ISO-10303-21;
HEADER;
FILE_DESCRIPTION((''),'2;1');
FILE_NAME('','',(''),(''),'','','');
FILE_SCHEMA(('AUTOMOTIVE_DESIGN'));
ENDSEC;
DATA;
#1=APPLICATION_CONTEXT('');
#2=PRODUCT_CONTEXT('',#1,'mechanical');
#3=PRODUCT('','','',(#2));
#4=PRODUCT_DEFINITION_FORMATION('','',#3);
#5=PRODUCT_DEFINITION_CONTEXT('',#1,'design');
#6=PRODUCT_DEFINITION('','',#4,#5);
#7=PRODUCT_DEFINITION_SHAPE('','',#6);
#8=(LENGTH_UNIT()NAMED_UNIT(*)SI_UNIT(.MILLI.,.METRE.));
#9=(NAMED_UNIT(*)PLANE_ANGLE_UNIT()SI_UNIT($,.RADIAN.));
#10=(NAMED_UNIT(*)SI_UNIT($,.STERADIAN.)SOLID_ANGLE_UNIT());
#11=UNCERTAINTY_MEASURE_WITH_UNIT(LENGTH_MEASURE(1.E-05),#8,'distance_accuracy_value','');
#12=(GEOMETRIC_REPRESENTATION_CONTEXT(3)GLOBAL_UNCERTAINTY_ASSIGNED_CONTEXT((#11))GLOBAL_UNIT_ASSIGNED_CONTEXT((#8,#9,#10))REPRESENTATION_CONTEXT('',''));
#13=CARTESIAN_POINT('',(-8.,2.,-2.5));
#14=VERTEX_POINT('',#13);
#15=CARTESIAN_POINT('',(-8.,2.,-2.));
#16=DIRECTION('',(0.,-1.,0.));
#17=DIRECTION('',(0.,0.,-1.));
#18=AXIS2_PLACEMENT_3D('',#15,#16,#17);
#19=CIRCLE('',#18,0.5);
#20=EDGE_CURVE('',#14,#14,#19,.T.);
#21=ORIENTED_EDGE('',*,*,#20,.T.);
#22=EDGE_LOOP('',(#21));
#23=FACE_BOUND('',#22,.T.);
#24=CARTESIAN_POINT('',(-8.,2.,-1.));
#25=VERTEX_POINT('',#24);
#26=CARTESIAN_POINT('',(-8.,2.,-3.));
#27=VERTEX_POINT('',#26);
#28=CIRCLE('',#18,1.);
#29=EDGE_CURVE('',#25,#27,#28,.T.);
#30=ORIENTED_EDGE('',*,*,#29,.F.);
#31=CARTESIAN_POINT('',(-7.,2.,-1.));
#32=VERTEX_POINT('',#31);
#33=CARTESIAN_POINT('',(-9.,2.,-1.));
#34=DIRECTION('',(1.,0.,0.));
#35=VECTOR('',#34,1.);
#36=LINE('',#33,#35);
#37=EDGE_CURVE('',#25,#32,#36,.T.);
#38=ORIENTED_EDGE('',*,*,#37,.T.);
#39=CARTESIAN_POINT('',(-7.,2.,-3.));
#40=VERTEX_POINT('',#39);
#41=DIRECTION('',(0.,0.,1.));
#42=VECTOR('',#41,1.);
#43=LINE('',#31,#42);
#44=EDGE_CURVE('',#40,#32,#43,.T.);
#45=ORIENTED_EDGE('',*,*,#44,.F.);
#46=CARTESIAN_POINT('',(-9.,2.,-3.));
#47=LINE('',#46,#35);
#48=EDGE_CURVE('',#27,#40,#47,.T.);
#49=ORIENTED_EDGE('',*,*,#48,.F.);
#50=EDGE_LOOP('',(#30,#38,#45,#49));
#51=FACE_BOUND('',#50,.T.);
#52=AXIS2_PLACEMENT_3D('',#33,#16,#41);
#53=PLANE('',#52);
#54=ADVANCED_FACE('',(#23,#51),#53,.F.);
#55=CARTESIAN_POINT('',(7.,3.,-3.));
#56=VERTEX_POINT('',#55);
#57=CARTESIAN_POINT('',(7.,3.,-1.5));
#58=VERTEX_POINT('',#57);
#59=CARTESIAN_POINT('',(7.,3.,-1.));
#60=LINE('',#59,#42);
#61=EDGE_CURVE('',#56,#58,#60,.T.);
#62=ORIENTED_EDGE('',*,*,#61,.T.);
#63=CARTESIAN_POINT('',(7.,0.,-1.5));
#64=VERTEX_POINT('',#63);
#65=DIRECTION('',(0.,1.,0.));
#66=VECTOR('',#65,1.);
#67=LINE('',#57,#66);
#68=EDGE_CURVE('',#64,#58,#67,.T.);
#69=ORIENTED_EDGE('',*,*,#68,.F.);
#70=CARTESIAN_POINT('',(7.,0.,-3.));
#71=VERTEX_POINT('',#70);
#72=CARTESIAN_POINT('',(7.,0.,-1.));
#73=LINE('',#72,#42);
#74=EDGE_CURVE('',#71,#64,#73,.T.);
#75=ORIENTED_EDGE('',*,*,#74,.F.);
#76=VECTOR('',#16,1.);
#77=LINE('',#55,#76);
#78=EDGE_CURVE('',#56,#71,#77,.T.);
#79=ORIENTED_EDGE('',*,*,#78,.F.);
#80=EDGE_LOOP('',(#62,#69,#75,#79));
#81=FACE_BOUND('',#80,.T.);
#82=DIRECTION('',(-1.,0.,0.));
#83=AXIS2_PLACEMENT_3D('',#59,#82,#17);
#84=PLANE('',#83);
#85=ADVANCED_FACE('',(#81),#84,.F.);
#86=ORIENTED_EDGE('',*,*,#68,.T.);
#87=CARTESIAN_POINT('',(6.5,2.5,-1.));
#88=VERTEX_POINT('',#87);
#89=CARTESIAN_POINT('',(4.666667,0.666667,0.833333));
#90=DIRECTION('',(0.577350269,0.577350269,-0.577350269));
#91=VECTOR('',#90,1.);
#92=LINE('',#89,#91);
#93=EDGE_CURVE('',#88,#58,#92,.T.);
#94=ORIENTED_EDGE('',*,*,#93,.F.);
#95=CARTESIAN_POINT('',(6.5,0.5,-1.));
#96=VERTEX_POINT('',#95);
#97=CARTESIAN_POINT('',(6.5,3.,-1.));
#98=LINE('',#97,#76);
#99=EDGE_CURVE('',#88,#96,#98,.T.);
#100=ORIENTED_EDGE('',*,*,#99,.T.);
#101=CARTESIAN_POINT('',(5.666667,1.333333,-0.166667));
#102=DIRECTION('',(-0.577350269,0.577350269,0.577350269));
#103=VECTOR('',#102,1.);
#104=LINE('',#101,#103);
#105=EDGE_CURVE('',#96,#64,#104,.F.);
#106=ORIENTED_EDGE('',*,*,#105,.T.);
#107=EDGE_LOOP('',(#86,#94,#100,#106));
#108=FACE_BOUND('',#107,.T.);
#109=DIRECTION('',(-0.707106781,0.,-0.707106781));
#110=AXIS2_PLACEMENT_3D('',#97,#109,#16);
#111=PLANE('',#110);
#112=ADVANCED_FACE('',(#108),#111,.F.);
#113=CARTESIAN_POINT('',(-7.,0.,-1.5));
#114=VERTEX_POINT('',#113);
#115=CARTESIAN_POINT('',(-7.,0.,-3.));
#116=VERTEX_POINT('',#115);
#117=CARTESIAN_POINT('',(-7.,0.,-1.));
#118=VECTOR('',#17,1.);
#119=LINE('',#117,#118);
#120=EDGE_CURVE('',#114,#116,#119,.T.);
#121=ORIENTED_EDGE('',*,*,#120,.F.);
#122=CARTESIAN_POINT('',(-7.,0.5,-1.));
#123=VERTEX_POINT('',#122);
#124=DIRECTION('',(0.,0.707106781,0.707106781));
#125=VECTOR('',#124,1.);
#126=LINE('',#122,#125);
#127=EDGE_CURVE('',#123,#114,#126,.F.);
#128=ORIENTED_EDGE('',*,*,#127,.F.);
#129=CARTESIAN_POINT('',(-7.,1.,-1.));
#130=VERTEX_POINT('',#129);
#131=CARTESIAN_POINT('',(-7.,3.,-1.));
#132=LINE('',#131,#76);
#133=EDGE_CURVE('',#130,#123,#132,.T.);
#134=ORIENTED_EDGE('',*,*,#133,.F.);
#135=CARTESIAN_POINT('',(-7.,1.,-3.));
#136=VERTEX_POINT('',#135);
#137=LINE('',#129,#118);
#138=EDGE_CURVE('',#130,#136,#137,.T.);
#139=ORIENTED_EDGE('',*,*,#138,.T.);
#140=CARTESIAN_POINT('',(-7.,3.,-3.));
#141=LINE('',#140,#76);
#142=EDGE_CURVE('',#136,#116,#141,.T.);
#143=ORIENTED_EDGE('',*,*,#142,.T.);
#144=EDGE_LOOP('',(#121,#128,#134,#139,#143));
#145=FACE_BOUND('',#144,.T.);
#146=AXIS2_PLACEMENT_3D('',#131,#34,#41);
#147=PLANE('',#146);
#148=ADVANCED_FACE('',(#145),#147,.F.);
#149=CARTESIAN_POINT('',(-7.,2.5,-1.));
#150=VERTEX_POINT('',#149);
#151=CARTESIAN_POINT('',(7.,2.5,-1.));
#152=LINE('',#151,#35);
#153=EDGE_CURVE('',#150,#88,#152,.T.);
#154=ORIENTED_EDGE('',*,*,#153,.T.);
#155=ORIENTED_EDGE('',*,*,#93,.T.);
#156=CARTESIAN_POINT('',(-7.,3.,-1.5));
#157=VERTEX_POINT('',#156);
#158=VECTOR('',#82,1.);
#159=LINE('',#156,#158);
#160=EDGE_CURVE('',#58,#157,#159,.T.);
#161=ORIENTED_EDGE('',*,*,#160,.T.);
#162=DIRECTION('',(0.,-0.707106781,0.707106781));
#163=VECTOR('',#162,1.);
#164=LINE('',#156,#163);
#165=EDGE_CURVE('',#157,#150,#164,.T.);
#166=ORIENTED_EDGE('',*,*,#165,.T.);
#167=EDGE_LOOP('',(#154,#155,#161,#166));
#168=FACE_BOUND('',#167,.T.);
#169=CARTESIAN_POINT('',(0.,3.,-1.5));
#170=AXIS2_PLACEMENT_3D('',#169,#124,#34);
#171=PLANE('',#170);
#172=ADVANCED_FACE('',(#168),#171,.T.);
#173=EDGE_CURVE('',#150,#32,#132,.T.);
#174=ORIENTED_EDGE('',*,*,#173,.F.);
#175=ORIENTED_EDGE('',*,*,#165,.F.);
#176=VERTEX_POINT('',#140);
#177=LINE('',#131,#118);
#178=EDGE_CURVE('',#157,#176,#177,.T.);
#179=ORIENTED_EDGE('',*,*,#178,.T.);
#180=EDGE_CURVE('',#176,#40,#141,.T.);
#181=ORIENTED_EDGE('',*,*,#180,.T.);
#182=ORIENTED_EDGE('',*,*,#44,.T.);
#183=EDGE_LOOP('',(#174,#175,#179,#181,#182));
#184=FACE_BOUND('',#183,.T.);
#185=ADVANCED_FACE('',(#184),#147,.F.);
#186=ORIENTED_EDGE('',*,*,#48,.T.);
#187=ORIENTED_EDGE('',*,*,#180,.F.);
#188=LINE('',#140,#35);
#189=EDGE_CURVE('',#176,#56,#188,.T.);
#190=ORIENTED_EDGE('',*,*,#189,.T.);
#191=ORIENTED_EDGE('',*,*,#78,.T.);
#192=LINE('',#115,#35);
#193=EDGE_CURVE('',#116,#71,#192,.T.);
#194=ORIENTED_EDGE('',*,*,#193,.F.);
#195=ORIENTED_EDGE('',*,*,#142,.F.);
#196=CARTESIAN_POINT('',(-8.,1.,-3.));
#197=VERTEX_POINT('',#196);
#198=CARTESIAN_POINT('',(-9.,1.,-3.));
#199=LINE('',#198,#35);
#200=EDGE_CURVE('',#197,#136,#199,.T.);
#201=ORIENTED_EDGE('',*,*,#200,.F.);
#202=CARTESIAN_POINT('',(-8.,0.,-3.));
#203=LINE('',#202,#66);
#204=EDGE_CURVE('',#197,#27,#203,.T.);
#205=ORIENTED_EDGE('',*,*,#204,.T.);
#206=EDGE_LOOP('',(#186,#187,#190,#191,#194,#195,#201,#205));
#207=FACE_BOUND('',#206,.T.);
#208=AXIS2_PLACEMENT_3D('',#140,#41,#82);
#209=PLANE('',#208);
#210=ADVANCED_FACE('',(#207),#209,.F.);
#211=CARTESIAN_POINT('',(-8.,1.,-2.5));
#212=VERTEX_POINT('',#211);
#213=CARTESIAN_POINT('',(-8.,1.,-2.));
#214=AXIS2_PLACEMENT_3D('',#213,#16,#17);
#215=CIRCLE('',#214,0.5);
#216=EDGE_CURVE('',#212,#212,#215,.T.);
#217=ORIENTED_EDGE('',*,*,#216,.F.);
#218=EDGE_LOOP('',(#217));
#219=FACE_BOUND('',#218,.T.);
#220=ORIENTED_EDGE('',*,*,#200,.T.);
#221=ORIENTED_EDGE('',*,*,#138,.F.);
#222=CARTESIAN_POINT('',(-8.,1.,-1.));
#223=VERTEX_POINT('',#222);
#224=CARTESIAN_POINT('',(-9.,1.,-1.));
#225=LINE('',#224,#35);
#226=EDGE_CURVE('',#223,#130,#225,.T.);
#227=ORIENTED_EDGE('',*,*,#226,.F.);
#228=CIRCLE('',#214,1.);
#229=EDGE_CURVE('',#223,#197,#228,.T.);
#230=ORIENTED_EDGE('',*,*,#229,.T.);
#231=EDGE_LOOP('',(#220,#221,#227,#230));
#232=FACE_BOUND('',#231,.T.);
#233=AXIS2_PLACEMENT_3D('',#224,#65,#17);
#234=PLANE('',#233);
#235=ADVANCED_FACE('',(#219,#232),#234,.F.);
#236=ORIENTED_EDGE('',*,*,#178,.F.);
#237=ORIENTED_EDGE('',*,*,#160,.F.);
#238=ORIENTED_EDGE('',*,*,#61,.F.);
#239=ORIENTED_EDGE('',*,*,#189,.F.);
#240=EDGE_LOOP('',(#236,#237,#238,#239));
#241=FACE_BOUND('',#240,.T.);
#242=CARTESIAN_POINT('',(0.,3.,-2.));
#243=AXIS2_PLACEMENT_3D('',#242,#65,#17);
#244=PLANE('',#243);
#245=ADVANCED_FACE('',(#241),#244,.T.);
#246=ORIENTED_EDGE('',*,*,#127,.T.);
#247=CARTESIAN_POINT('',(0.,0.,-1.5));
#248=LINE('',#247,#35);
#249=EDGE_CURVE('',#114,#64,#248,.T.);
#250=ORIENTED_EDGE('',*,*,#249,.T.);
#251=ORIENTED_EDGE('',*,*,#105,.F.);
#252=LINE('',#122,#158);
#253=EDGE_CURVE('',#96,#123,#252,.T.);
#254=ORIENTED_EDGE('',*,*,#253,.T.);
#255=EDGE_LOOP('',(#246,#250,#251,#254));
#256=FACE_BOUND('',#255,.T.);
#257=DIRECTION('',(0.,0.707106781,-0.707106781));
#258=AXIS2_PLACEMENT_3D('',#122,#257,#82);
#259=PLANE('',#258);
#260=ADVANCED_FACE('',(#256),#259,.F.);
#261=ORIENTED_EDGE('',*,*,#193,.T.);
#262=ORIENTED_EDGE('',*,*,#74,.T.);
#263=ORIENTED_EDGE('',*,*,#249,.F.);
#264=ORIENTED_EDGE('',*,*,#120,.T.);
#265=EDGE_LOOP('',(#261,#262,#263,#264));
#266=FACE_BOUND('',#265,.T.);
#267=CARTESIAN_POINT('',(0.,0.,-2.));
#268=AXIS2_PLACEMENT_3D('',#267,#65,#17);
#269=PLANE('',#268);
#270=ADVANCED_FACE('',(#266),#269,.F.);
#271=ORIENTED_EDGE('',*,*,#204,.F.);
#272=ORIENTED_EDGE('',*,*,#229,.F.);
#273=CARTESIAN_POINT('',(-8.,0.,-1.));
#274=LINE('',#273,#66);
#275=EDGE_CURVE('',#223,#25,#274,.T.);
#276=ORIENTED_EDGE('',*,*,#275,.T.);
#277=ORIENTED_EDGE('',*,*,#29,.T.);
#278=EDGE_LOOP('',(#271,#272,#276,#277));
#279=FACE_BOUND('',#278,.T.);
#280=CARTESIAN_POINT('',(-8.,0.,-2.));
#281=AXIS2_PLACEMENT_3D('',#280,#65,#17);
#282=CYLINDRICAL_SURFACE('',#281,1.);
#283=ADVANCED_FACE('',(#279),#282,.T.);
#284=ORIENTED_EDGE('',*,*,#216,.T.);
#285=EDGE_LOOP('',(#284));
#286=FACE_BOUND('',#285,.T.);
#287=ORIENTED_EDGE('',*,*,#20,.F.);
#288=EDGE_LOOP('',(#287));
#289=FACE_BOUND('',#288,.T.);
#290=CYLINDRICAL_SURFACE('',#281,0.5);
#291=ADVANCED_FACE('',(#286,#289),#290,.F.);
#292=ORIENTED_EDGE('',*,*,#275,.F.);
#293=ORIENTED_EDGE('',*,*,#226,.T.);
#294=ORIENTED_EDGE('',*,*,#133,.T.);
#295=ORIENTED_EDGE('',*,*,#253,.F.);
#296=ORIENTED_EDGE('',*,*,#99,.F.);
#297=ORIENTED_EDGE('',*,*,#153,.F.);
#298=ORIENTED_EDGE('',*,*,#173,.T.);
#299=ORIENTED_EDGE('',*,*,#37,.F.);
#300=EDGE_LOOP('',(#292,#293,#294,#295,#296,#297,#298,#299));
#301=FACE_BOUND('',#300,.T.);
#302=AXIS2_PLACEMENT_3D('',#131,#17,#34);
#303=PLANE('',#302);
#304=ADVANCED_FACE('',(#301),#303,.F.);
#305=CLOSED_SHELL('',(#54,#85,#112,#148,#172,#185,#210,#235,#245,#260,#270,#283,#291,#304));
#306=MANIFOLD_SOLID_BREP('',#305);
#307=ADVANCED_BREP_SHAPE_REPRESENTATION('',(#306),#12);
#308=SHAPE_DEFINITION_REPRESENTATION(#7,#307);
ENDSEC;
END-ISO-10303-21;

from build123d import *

# Parameters (mm, degrees)
SKETCH1_W           = 14
SKETCH1_H           = 2
BOSS_EXTRUDE1_DEPTH = 3
CHAMFER1_SIZE       = 0.5
SKETCH2_W           = 2
SKETCH2_H           = 1
BOSS_EXTRUDE2_DEPTH = 2
SKETCH3_R           = 0.5
CUT_EXTRUDE1_DEPTH  = 2


with BuildPart() as part:
    # Sketch1 → Boss-Extrude1 (new body)
    with BuildSketch(Plane(origin=(0, 0, 0), x_dir=(1, 0, 0), z_dir=(0, 1, 0))):
        Rectangle(SKETCH1_W, SKETCH1_H)
    extrude(amount=BOSS_EXTRUDE1_DEPTH)

    # Chamfer1
    chamfer1_edges = [part.edges().sort_by_distance(p)[0] for p in [
        (0, 0, -1),
        (7, 1.5, -1),
        (0, 3, -1),
    ]]
    chamfer(chamfer1_edges, length=CHAMFER1_SIZE)

    # Sketch2 → Boss-Extrude2 (add)
    with BuildSketch(Plane.ZY.offset(7)):
        with Locations((0, 1.5)):
            Rectangle(SKETCH2_W, SKETCH2_H)
    extrude(amount=BOSS_EXTRUDE2_DEPTH)

    # Sketch3 → Cut-Extrude1 (cut)
    with BuildSketch(Plane(origin=(0, 2, 0), x_dir=(1, 0, 0), z_dir=(0, 1, 0))):
        with Locations(Location((-8, 0, 0), (0, 0, 270))):
            Circle(SKETCH3_R)
        with BuildLine():
            ThreePointArc((-9, 0), (-8.707106781, 0.707106781), (-8, 1))
            Line((-8, 1), (-9, 1))
            Line((-9, 1), (-9, 0))
        make_face()
        with BuildLine():
            Line((-9, -1), (-8, -1))
            ThreePointArc((-8, -1), (-8.707106781, -0.707106781), (-9, 0))
            Line((-9, 0), (-9, -1))
        make_face()
    extrude(amount=-CUT_EXTRUDE1_DEPTH, mode=Mode.SUBTRACT)


with BuildPart() as body_2:
    # Mirror1: mirrored copy
    add(part.part.mirror(Plane(origin=(-7, 3, -1), x_dir=(1, 0, 0), z_dir=(0, 0, 1))))


solid = body_2.part
